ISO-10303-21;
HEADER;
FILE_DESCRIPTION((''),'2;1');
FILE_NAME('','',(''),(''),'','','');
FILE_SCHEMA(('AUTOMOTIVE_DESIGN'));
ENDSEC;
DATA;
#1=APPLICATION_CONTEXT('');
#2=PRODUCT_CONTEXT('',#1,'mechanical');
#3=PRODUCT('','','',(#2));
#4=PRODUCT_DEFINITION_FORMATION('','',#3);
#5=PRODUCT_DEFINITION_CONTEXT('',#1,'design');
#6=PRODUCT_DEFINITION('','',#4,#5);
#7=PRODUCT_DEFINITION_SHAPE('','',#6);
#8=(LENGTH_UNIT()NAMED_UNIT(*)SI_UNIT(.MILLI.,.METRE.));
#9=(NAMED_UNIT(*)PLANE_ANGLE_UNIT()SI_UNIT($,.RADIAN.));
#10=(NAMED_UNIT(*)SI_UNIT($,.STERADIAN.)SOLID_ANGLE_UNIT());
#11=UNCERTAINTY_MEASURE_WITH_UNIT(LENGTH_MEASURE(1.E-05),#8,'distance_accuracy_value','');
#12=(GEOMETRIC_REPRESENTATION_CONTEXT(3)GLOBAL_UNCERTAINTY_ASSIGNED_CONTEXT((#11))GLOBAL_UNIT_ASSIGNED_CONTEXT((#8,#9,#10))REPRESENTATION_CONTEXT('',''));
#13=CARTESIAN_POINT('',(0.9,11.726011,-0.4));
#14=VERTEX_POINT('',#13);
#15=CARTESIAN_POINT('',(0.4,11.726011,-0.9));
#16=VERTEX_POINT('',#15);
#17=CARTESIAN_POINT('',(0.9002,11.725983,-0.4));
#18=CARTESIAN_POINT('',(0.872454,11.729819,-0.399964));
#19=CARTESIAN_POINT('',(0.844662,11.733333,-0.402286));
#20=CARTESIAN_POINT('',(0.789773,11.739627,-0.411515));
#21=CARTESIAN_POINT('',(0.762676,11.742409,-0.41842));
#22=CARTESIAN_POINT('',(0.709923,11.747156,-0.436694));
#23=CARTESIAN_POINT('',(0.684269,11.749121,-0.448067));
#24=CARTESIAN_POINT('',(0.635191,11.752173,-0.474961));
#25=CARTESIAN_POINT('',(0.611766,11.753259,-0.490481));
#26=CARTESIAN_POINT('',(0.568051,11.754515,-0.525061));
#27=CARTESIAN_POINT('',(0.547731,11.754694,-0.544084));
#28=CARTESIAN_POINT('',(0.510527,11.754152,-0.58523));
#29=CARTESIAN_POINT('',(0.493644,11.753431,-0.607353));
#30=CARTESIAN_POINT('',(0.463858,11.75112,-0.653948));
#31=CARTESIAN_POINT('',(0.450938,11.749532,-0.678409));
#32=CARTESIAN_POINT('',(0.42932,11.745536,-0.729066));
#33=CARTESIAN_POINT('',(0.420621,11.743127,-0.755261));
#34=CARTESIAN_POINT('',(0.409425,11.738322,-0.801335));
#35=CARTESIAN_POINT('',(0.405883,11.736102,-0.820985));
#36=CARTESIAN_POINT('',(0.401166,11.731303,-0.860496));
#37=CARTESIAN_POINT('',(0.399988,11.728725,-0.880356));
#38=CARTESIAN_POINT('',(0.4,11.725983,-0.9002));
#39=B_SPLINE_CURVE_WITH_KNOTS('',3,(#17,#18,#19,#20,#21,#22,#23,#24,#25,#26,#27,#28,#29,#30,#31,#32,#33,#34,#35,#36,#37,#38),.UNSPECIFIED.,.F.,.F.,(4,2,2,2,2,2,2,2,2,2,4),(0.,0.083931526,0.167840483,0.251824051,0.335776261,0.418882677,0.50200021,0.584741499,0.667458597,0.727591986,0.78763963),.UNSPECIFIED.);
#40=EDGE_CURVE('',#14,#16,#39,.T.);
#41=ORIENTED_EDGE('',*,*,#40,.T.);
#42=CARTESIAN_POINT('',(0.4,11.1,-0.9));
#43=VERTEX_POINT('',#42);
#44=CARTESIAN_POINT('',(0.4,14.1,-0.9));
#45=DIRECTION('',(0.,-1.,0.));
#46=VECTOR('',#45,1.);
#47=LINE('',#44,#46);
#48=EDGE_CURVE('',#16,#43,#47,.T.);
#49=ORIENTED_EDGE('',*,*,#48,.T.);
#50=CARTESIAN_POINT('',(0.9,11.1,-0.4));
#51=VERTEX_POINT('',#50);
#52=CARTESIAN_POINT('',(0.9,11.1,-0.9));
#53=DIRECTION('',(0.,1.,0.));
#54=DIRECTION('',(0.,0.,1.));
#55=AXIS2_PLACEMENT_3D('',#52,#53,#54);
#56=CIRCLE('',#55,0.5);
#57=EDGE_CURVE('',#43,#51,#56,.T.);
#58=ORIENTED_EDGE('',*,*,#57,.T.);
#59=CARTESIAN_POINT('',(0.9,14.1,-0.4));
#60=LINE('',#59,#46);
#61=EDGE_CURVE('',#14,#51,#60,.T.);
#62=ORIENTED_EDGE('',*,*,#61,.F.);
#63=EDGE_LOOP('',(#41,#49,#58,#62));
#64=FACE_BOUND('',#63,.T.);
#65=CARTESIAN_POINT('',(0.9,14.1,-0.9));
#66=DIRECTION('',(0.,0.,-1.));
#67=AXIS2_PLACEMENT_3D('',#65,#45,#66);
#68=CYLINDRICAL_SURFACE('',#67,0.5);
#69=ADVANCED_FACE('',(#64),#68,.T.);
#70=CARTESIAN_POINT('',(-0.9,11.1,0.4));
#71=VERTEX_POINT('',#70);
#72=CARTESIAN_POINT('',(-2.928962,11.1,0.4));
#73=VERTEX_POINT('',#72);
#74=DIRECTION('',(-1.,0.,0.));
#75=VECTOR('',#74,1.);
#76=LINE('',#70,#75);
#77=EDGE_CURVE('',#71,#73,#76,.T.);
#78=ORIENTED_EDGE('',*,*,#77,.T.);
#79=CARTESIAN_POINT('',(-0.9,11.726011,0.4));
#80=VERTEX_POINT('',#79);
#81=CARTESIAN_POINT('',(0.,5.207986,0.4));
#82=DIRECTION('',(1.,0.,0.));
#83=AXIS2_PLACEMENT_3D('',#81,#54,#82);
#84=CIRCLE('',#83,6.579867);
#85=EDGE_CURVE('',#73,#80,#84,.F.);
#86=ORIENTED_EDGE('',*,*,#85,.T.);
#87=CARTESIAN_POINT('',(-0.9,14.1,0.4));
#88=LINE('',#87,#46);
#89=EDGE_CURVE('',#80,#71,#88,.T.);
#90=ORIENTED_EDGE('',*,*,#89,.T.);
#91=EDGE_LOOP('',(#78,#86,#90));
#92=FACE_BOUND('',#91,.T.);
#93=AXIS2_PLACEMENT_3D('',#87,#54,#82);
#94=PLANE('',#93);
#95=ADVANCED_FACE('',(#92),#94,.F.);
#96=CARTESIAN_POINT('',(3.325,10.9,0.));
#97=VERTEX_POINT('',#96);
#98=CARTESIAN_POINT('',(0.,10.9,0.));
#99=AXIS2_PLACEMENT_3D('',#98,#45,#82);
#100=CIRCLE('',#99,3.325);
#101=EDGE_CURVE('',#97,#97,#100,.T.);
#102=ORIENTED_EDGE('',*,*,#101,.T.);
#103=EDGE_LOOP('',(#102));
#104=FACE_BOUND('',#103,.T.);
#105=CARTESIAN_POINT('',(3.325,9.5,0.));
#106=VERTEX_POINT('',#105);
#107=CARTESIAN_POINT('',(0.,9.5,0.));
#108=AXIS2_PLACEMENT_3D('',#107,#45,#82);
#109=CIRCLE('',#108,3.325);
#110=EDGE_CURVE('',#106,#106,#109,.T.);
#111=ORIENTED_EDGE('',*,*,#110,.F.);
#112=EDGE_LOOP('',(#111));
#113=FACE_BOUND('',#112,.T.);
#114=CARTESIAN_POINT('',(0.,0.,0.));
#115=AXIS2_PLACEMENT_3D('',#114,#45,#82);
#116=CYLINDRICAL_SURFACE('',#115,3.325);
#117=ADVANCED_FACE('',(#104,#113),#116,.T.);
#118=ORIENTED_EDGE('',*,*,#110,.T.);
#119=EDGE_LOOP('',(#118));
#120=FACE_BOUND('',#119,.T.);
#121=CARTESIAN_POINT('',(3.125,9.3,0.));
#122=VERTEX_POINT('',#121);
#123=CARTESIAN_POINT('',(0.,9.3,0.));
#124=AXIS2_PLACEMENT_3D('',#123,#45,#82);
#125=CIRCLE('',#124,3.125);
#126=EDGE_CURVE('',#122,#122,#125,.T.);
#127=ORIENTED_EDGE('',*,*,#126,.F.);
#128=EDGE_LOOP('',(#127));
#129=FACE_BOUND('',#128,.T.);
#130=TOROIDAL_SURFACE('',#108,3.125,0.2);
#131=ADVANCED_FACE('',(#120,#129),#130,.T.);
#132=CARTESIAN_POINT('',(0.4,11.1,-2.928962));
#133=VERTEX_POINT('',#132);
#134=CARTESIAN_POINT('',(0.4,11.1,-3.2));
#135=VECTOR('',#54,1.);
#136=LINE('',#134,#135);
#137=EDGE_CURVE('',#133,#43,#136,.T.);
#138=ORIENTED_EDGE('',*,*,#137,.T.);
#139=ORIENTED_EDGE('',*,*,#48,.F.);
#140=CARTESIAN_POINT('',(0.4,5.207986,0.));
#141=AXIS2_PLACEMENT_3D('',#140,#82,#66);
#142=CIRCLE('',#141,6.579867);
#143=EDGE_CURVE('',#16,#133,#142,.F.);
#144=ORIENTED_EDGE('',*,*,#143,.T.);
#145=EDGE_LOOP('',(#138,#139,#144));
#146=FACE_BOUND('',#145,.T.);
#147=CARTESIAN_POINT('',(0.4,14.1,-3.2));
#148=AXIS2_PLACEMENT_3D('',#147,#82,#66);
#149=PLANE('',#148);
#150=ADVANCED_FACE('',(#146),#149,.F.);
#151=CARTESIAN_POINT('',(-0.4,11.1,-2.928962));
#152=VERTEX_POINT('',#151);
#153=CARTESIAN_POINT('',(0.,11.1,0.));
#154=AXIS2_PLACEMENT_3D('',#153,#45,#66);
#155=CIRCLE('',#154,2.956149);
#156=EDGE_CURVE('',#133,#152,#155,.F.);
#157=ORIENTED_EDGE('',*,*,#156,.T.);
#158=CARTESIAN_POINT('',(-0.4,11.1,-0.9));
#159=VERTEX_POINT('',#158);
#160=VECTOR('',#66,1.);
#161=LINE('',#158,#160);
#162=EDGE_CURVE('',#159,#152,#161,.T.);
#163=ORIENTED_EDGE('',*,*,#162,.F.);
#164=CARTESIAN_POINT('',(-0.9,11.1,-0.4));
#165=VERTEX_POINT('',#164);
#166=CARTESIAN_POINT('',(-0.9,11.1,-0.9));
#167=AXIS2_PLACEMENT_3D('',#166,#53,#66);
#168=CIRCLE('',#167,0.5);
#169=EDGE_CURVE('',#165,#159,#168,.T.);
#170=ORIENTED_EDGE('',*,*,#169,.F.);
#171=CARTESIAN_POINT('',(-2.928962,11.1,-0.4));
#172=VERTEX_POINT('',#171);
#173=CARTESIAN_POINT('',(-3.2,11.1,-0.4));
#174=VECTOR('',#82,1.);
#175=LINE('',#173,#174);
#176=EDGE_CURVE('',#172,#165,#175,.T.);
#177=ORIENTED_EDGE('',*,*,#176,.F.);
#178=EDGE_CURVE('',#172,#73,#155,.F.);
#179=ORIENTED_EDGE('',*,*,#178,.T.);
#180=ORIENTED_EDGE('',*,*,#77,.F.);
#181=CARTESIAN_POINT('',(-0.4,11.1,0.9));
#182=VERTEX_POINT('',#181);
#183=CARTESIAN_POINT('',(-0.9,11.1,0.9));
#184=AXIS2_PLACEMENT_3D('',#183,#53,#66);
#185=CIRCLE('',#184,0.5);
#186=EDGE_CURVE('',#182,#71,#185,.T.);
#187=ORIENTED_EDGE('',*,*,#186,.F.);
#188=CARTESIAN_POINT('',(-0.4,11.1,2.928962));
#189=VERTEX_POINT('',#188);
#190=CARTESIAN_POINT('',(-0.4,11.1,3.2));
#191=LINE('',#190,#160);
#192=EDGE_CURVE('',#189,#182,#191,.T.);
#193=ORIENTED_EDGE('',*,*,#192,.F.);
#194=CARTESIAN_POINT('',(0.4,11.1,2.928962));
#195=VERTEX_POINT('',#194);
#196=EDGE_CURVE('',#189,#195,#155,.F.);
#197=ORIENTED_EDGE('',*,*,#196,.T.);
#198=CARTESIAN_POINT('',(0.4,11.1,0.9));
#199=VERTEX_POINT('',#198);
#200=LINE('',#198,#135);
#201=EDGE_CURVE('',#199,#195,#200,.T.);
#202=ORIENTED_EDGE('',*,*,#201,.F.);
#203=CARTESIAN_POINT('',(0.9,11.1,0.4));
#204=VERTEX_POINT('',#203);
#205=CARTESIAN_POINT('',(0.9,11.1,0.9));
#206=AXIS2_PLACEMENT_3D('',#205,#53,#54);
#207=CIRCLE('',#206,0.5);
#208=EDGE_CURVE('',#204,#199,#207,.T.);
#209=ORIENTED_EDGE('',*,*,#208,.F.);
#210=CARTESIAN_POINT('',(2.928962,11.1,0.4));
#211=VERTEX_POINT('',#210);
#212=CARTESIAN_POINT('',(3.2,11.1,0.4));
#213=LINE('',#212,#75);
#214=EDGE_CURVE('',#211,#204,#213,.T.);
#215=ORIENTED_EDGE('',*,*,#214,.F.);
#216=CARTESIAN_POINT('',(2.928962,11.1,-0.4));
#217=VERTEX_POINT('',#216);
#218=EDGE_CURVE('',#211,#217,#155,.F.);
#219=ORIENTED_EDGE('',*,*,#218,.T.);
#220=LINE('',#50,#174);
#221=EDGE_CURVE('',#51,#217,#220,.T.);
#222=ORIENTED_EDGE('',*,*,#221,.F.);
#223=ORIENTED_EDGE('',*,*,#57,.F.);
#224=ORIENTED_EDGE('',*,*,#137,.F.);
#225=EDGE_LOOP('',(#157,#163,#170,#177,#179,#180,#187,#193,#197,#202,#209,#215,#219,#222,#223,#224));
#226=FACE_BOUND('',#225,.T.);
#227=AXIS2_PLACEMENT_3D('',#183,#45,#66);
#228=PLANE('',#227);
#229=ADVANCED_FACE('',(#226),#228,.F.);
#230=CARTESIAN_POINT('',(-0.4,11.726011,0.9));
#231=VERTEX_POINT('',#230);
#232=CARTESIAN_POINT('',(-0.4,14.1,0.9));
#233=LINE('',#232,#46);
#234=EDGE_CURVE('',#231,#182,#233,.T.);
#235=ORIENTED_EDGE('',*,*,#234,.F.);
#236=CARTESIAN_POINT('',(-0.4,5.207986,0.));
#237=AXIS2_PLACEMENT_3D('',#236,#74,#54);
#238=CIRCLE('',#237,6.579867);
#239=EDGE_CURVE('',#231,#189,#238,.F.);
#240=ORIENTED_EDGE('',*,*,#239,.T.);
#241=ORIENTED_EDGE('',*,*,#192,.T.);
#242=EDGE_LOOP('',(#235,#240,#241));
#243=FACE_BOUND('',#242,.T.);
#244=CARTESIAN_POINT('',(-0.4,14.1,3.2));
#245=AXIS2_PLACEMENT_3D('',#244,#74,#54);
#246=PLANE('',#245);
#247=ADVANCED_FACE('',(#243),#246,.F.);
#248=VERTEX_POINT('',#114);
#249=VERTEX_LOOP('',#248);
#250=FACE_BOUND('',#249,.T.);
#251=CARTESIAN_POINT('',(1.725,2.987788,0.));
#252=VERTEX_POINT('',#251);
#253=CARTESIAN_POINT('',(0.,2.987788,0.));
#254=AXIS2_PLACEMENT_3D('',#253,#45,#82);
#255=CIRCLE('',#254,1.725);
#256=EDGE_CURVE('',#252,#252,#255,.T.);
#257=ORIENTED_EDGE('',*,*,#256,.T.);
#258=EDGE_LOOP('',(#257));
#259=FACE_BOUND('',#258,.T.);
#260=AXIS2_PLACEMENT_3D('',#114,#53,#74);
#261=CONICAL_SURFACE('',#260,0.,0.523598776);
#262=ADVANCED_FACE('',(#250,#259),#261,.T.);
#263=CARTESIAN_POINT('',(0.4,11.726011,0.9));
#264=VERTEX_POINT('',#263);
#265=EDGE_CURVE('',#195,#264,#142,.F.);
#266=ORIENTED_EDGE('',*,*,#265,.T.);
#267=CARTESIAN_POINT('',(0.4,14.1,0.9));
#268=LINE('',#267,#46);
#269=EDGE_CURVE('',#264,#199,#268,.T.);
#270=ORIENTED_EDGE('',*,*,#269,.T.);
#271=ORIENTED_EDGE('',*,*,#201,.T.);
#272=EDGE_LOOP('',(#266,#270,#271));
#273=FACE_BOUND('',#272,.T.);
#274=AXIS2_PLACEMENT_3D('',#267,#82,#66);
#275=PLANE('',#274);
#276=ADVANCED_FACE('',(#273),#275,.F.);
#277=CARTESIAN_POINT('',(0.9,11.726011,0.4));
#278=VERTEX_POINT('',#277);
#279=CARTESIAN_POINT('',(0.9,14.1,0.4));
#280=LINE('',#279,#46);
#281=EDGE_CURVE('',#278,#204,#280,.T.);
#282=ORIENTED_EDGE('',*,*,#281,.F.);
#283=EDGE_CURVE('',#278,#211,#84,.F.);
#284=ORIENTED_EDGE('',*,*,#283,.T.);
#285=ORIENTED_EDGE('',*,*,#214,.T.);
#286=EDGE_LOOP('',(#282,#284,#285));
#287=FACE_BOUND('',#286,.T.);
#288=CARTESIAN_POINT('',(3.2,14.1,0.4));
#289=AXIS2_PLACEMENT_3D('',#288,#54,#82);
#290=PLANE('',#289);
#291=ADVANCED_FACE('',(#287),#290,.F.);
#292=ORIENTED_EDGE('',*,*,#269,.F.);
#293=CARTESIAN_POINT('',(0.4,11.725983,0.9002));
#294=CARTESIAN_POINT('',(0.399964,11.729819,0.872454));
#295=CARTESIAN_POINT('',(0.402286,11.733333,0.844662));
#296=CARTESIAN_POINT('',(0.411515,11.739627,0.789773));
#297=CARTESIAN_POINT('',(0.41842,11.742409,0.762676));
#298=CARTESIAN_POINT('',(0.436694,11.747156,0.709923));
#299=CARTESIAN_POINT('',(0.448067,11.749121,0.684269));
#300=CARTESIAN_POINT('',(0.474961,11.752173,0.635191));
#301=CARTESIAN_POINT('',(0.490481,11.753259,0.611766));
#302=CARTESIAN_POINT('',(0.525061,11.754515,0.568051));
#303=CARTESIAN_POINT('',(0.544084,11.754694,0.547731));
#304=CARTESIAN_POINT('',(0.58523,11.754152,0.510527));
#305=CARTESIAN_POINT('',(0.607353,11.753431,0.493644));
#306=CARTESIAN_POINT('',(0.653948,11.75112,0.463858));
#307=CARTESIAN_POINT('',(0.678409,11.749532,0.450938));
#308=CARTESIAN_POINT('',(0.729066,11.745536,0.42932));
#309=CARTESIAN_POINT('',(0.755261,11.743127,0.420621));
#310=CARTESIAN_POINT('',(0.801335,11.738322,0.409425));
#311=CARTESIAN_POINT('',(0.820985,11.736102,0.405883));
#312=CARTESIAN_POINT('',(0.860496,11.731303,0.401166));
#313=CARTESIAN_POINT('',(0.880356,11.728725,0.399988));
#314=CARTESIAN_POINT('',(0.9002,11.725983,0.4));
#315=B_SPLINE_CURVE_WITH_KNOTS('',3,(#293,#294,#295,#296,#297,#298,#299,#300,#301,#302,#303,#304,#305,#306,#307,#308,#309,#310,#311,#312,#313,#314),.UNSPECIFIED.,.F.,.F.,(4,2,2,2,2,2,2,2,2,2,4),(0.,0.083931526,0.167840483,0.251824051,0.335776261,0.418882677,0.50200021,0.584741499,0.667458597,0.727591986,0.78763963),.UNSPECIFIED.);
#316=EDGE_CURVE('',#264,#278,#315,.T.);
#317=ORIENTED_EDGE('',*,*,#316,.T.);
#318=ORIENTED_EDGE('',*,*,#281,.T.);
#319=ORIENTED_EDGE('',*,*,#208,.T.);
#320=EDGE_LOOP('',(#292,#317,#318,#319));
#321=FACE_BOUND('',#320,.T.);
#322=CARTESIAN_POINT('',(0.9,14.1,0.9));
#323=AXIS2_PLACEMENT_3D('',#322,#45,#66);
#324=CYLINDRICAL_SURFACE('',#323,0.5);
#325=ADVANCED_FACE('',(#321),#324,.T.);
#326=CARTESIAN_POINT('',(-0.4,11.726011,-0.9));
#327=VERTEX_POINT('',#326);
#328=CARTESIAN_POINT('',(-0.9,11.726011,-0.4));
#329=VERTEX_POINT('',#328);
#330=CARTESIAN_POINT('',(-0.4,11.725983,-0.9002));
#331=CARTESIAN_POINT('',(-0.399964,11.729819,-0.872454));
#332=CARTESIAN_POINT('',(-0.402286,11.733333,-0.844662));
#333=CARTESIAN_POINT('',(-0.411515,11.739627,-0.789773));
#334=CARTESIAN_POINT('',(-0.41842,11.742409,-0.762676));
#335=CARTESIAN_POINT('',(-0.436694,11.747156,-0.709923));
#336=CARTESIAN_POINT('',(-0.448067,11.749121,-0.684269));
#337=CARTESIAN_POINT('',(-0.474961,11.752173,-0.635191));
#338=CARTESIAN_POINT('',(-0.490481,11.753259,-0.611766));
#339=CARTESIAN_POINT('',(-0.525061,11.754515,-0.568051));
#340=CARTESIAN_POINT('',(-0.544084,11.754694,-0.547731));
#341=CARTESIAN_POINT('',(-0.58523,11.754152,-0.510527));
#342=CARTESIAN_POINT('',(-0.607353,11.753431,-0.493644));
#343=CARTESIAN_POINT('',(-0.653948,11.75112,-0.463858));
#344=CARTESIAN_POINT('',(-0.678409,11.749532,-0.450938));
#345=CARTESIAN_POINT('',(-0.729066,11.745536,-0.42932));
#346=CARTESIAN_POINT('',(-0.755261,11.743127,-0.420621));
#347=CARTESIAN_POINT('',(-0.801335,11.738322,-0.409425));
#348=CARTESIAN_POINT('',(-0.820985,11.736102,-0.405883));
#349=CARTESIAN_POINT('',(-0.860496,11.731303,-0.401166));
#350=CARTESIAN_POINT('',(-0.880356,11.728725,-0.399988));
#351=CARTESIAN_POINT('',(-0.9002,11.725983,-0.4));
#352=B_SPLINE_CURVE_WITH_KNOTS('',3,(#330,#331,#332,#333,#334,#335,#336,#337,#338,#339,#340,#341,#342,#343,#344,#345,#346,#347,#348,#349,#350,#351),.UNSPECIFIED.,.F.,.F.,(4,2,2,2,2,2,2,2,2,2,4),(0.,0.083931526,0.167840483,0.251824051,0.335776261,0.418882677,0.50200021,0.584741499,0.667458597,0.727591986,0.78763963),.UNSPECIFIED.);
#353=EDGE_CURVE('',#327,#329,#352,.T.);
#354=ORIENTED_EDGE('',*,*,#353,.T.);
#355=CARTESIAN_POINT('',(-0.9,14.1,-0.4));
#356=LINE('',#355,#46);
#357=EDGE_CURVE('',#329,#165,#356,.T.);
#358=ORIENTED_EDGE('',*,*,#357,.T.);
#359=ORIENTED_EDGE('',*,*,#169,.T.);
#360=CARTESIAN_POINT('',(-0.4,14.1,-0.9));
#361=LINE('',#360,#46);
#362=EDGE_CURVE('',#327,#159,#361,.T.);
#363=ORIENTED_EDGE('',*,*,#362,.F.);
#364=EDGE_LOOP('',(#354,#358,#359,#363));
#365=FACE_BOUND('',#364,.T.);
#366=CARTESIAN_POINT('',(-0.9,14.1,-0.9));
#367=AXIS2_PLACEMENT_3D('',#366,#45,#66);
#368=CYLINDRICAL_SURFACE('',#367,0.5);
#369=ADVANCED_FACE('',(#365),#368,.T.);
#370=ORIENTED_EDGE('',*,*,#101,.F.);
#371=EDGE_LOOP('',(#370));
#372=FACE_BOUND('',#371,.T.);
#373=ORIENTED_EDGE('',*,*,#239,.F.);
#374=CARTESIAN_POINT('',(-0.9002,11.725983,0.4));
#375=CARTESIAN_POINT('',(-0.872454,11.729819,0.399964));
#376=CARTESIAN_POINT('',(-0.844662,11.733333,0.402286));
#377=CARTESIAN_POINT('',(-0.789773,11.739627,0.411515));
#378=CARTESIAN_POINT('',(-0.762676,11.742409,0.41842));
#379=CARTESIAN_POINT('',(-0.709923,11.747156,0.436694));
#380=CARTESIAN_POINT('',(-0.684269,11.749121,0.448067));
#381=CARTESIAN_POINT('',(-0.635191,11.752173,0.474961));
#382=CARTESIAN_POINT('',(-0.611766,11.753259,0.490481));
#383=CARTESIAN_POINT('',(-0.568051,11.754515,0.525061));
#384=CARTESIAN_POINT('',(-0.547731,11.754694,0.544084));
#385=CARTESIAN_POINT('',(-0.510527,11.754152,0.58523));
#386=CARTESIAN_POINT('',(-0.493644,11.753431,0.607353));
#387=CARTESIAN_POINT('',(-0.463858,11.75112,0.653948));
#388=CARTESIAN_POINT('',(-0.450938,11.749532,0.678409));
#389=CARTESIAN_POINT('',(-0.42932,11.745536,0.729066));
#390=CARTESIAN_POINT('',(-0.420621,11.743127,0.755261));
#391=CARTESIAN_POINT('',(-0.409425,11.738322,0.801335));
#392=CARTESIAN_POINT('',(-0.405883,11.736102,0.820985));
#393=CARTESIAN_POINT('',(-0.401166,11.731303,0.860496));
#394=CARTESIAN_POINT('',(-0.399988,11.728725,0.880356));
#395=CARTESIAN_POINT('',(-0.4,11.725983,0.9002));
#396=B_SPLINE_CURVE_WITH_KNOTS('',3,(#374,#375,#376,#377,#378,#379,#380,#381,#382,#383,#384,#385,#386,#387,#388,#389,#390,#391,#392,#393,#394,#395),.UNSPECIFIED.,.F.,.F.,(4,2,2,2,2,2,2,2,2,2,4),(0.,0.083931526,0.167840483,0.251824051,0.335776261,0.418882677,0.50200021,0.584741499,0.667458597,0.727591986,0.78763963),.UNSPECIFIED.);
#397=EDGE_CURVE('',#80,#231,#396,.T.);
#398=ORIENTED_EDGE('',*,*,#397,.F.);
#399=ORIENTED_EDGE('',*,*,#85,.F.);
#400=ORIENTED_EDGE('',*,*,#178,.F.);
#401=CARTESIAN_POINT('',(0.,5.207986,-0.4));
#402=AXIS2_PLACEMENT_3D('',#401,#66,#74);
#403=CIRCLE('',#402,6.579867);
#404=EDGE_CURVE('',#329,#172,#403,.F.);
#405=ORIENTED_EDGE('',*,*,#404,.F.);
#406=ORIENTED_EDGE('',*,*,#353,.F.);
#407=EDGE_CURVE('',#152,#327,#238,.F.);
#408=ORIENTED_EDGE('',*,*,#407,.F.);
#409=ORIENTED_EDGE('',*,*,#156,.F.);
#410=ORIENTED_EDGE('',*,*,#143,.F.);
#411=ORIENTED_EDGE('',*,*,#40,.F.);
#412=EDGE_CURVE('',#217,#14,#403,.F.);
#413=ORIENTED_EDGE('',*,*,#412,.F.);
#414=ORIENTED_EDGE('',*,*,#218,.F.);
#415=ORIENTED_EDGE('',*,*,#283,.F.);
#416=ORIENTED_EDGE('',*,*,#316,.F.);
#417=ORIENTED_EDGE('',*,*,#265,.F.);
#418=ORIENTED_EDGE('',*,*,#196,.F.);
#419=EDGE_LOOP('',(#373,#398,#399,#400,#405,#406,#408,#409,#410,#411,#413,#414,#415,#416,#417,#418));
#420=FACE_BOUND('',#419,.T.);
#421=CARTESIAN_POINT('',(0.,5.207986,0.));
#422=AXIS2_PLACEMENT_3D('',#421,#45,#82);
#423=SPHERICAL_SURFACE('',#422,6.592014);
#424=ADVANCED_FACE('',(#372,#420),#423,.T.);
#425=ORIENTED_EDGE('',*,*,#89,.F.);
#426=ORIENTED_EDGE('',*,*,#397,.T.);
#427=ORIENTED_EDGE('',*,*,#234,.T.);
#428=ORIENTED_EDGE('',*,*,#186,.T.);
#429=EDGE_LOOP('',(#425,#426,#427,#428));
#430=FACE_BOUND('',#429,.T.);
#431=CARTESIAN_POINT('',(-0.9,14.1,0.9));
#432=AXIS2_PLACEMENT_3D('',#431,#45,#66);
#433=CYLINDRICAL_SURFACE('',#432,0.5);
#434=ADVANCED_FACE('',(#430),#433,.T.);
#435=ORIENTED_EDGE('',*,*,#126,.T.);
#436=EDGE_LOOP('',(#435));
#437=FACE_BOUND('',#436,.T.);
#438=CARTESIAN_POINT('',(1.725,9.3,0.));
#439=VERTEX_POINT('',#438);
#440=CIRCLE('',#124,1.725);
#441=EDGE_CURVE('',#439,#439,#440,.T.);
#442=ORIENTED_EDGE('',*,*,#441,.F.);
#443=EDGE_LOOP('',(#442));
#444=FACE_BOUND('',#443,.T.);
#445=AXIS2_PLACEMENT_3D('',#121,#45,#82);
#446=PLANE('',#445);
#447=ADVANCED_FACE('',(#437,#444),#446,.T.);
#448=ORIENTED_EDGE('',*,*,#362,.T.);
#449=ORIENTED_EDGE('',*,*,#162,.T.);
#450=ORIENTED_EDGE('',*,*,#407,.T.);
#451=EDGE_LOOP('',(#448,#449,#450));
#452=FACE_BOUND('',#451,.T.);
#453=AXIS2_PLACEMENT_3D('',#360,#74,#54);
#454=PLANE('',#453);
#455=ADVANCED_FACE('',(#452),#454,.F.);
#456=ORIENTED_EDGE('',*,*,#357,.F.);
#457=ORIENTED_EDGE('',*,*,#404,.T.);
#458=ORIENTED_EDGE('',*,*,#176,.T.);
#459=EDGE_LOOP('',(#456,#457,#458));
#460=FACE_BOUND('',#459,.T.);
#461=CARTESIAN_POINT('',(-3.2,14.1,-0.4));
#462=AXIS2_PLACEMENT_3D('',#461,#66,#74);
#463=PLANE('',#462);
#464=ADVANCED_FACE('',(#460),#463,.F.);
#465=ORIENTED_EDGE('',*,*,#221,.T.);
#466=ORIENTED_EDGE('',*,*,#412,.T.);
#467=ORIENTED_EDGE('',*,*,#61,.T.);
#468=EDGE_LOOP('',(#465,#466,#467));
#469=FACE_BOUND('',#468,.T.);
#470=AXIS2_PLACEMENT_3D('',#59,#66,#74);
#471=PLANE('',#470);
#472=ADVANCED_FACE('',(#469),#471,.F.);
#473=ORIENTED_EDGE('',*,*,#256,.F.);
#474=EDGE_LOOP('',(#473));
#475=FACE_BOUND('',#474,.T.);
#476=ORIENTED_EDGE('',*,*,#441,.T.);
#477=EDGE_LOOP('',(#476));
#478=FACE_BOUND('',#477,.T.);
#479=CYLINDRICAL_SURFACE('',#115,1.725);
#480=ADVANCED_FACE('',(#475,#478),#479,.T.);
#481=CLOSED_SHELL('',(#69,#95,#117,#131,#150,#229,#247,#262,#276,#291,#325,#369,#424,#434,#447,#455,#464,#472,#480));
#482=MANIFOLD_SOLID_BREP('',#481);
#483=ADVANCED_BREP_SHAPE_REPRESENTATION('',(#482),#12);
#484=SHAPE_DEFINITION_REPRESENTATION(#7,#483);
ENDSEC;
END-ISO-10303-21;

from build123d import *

# Parameters (mm, degrees)
CORTAR_EXTRUIR1_START = -1.8
CORTAR_EXTRUIR1_DEPTH = 3


with BuildPart() as part:
    # Croquis1 → Revolución1 (revolve)
    with BuildSketch(Plane.XY):
        with BuildLine():
            Line((0, 0), (0, 11.8))
            ThreePointArc((0, 11.8), (1.722325826, 11.57102319), (3.325, 10.9))
            Line((3.325, 10.9), (3.325, 9.5))
            ThreePointArc((3.325, 9.5), (3.266421356, 9.358578644), (3.125, 9.3))
            Line((3.125, 9.3), (1.725, 9.3))
            Line((1.725, 9.3), (1.725, 2.987787643))
            Line((1.725, 2.987787643), (0, 0))
        make_face()
    revolve(axis=Axis((0, 0, 0), (0, 1, 0)))

    # Croquis2 → Cortar-Extruir1 (cut)
    with BuildSketch(Plane.XZ.offset(-9.3).offset(CORTAR_EXTRUIR1_START)):
        with BuildLine():
            Line((-0.4, 3.2), (-0.4, 0.9))
            ThreePointArc((-0.4, 0.9), (-0.546446609, 0.546446609), (-0.9, 0.4))
            Line((-0.9, 0.4), (-3.2, 0.4))
            Line((-3.2, 0.4), (-3.2, -0.4))
            Line((-3.2, -0.4), (-0.9, -0.4))
            ThreePointArc((-0.9, -0.4), (-0.546446609, -0.546446609), (-0.4, -0.9))
            Line((-0.4, -0.9), (-0.4, -3.2))
            Line((-0.4, -3.2), (0.4, -3.2))
            Line((0.4, -3.2), (0.4, -0.9))
            ThreePointArc((0.4, -0.9), (0.546446609, -0.546446609), (0.9, -0.4))
            Line((0.9, -0.4), (3.2, -0.4))
            Line((3.2, -0.4), (3.2, 0.4))
            Line((3.2, 0.4), (0.9, 0.4))
            ThreePointArc((0.9, 0.4), (0.546446609, 0.546446609), (0.4, 0.9))
            Line((0.4, 0.9), (0.4, 3.2))
            Line((0.4, 3.2), (-0.4, 3.2))
        make_face()
    extrude(amount=-CORTAR_EXTRUIR1_DEPTH, mode=Mode.SUBTRACT)


solid = part.part
